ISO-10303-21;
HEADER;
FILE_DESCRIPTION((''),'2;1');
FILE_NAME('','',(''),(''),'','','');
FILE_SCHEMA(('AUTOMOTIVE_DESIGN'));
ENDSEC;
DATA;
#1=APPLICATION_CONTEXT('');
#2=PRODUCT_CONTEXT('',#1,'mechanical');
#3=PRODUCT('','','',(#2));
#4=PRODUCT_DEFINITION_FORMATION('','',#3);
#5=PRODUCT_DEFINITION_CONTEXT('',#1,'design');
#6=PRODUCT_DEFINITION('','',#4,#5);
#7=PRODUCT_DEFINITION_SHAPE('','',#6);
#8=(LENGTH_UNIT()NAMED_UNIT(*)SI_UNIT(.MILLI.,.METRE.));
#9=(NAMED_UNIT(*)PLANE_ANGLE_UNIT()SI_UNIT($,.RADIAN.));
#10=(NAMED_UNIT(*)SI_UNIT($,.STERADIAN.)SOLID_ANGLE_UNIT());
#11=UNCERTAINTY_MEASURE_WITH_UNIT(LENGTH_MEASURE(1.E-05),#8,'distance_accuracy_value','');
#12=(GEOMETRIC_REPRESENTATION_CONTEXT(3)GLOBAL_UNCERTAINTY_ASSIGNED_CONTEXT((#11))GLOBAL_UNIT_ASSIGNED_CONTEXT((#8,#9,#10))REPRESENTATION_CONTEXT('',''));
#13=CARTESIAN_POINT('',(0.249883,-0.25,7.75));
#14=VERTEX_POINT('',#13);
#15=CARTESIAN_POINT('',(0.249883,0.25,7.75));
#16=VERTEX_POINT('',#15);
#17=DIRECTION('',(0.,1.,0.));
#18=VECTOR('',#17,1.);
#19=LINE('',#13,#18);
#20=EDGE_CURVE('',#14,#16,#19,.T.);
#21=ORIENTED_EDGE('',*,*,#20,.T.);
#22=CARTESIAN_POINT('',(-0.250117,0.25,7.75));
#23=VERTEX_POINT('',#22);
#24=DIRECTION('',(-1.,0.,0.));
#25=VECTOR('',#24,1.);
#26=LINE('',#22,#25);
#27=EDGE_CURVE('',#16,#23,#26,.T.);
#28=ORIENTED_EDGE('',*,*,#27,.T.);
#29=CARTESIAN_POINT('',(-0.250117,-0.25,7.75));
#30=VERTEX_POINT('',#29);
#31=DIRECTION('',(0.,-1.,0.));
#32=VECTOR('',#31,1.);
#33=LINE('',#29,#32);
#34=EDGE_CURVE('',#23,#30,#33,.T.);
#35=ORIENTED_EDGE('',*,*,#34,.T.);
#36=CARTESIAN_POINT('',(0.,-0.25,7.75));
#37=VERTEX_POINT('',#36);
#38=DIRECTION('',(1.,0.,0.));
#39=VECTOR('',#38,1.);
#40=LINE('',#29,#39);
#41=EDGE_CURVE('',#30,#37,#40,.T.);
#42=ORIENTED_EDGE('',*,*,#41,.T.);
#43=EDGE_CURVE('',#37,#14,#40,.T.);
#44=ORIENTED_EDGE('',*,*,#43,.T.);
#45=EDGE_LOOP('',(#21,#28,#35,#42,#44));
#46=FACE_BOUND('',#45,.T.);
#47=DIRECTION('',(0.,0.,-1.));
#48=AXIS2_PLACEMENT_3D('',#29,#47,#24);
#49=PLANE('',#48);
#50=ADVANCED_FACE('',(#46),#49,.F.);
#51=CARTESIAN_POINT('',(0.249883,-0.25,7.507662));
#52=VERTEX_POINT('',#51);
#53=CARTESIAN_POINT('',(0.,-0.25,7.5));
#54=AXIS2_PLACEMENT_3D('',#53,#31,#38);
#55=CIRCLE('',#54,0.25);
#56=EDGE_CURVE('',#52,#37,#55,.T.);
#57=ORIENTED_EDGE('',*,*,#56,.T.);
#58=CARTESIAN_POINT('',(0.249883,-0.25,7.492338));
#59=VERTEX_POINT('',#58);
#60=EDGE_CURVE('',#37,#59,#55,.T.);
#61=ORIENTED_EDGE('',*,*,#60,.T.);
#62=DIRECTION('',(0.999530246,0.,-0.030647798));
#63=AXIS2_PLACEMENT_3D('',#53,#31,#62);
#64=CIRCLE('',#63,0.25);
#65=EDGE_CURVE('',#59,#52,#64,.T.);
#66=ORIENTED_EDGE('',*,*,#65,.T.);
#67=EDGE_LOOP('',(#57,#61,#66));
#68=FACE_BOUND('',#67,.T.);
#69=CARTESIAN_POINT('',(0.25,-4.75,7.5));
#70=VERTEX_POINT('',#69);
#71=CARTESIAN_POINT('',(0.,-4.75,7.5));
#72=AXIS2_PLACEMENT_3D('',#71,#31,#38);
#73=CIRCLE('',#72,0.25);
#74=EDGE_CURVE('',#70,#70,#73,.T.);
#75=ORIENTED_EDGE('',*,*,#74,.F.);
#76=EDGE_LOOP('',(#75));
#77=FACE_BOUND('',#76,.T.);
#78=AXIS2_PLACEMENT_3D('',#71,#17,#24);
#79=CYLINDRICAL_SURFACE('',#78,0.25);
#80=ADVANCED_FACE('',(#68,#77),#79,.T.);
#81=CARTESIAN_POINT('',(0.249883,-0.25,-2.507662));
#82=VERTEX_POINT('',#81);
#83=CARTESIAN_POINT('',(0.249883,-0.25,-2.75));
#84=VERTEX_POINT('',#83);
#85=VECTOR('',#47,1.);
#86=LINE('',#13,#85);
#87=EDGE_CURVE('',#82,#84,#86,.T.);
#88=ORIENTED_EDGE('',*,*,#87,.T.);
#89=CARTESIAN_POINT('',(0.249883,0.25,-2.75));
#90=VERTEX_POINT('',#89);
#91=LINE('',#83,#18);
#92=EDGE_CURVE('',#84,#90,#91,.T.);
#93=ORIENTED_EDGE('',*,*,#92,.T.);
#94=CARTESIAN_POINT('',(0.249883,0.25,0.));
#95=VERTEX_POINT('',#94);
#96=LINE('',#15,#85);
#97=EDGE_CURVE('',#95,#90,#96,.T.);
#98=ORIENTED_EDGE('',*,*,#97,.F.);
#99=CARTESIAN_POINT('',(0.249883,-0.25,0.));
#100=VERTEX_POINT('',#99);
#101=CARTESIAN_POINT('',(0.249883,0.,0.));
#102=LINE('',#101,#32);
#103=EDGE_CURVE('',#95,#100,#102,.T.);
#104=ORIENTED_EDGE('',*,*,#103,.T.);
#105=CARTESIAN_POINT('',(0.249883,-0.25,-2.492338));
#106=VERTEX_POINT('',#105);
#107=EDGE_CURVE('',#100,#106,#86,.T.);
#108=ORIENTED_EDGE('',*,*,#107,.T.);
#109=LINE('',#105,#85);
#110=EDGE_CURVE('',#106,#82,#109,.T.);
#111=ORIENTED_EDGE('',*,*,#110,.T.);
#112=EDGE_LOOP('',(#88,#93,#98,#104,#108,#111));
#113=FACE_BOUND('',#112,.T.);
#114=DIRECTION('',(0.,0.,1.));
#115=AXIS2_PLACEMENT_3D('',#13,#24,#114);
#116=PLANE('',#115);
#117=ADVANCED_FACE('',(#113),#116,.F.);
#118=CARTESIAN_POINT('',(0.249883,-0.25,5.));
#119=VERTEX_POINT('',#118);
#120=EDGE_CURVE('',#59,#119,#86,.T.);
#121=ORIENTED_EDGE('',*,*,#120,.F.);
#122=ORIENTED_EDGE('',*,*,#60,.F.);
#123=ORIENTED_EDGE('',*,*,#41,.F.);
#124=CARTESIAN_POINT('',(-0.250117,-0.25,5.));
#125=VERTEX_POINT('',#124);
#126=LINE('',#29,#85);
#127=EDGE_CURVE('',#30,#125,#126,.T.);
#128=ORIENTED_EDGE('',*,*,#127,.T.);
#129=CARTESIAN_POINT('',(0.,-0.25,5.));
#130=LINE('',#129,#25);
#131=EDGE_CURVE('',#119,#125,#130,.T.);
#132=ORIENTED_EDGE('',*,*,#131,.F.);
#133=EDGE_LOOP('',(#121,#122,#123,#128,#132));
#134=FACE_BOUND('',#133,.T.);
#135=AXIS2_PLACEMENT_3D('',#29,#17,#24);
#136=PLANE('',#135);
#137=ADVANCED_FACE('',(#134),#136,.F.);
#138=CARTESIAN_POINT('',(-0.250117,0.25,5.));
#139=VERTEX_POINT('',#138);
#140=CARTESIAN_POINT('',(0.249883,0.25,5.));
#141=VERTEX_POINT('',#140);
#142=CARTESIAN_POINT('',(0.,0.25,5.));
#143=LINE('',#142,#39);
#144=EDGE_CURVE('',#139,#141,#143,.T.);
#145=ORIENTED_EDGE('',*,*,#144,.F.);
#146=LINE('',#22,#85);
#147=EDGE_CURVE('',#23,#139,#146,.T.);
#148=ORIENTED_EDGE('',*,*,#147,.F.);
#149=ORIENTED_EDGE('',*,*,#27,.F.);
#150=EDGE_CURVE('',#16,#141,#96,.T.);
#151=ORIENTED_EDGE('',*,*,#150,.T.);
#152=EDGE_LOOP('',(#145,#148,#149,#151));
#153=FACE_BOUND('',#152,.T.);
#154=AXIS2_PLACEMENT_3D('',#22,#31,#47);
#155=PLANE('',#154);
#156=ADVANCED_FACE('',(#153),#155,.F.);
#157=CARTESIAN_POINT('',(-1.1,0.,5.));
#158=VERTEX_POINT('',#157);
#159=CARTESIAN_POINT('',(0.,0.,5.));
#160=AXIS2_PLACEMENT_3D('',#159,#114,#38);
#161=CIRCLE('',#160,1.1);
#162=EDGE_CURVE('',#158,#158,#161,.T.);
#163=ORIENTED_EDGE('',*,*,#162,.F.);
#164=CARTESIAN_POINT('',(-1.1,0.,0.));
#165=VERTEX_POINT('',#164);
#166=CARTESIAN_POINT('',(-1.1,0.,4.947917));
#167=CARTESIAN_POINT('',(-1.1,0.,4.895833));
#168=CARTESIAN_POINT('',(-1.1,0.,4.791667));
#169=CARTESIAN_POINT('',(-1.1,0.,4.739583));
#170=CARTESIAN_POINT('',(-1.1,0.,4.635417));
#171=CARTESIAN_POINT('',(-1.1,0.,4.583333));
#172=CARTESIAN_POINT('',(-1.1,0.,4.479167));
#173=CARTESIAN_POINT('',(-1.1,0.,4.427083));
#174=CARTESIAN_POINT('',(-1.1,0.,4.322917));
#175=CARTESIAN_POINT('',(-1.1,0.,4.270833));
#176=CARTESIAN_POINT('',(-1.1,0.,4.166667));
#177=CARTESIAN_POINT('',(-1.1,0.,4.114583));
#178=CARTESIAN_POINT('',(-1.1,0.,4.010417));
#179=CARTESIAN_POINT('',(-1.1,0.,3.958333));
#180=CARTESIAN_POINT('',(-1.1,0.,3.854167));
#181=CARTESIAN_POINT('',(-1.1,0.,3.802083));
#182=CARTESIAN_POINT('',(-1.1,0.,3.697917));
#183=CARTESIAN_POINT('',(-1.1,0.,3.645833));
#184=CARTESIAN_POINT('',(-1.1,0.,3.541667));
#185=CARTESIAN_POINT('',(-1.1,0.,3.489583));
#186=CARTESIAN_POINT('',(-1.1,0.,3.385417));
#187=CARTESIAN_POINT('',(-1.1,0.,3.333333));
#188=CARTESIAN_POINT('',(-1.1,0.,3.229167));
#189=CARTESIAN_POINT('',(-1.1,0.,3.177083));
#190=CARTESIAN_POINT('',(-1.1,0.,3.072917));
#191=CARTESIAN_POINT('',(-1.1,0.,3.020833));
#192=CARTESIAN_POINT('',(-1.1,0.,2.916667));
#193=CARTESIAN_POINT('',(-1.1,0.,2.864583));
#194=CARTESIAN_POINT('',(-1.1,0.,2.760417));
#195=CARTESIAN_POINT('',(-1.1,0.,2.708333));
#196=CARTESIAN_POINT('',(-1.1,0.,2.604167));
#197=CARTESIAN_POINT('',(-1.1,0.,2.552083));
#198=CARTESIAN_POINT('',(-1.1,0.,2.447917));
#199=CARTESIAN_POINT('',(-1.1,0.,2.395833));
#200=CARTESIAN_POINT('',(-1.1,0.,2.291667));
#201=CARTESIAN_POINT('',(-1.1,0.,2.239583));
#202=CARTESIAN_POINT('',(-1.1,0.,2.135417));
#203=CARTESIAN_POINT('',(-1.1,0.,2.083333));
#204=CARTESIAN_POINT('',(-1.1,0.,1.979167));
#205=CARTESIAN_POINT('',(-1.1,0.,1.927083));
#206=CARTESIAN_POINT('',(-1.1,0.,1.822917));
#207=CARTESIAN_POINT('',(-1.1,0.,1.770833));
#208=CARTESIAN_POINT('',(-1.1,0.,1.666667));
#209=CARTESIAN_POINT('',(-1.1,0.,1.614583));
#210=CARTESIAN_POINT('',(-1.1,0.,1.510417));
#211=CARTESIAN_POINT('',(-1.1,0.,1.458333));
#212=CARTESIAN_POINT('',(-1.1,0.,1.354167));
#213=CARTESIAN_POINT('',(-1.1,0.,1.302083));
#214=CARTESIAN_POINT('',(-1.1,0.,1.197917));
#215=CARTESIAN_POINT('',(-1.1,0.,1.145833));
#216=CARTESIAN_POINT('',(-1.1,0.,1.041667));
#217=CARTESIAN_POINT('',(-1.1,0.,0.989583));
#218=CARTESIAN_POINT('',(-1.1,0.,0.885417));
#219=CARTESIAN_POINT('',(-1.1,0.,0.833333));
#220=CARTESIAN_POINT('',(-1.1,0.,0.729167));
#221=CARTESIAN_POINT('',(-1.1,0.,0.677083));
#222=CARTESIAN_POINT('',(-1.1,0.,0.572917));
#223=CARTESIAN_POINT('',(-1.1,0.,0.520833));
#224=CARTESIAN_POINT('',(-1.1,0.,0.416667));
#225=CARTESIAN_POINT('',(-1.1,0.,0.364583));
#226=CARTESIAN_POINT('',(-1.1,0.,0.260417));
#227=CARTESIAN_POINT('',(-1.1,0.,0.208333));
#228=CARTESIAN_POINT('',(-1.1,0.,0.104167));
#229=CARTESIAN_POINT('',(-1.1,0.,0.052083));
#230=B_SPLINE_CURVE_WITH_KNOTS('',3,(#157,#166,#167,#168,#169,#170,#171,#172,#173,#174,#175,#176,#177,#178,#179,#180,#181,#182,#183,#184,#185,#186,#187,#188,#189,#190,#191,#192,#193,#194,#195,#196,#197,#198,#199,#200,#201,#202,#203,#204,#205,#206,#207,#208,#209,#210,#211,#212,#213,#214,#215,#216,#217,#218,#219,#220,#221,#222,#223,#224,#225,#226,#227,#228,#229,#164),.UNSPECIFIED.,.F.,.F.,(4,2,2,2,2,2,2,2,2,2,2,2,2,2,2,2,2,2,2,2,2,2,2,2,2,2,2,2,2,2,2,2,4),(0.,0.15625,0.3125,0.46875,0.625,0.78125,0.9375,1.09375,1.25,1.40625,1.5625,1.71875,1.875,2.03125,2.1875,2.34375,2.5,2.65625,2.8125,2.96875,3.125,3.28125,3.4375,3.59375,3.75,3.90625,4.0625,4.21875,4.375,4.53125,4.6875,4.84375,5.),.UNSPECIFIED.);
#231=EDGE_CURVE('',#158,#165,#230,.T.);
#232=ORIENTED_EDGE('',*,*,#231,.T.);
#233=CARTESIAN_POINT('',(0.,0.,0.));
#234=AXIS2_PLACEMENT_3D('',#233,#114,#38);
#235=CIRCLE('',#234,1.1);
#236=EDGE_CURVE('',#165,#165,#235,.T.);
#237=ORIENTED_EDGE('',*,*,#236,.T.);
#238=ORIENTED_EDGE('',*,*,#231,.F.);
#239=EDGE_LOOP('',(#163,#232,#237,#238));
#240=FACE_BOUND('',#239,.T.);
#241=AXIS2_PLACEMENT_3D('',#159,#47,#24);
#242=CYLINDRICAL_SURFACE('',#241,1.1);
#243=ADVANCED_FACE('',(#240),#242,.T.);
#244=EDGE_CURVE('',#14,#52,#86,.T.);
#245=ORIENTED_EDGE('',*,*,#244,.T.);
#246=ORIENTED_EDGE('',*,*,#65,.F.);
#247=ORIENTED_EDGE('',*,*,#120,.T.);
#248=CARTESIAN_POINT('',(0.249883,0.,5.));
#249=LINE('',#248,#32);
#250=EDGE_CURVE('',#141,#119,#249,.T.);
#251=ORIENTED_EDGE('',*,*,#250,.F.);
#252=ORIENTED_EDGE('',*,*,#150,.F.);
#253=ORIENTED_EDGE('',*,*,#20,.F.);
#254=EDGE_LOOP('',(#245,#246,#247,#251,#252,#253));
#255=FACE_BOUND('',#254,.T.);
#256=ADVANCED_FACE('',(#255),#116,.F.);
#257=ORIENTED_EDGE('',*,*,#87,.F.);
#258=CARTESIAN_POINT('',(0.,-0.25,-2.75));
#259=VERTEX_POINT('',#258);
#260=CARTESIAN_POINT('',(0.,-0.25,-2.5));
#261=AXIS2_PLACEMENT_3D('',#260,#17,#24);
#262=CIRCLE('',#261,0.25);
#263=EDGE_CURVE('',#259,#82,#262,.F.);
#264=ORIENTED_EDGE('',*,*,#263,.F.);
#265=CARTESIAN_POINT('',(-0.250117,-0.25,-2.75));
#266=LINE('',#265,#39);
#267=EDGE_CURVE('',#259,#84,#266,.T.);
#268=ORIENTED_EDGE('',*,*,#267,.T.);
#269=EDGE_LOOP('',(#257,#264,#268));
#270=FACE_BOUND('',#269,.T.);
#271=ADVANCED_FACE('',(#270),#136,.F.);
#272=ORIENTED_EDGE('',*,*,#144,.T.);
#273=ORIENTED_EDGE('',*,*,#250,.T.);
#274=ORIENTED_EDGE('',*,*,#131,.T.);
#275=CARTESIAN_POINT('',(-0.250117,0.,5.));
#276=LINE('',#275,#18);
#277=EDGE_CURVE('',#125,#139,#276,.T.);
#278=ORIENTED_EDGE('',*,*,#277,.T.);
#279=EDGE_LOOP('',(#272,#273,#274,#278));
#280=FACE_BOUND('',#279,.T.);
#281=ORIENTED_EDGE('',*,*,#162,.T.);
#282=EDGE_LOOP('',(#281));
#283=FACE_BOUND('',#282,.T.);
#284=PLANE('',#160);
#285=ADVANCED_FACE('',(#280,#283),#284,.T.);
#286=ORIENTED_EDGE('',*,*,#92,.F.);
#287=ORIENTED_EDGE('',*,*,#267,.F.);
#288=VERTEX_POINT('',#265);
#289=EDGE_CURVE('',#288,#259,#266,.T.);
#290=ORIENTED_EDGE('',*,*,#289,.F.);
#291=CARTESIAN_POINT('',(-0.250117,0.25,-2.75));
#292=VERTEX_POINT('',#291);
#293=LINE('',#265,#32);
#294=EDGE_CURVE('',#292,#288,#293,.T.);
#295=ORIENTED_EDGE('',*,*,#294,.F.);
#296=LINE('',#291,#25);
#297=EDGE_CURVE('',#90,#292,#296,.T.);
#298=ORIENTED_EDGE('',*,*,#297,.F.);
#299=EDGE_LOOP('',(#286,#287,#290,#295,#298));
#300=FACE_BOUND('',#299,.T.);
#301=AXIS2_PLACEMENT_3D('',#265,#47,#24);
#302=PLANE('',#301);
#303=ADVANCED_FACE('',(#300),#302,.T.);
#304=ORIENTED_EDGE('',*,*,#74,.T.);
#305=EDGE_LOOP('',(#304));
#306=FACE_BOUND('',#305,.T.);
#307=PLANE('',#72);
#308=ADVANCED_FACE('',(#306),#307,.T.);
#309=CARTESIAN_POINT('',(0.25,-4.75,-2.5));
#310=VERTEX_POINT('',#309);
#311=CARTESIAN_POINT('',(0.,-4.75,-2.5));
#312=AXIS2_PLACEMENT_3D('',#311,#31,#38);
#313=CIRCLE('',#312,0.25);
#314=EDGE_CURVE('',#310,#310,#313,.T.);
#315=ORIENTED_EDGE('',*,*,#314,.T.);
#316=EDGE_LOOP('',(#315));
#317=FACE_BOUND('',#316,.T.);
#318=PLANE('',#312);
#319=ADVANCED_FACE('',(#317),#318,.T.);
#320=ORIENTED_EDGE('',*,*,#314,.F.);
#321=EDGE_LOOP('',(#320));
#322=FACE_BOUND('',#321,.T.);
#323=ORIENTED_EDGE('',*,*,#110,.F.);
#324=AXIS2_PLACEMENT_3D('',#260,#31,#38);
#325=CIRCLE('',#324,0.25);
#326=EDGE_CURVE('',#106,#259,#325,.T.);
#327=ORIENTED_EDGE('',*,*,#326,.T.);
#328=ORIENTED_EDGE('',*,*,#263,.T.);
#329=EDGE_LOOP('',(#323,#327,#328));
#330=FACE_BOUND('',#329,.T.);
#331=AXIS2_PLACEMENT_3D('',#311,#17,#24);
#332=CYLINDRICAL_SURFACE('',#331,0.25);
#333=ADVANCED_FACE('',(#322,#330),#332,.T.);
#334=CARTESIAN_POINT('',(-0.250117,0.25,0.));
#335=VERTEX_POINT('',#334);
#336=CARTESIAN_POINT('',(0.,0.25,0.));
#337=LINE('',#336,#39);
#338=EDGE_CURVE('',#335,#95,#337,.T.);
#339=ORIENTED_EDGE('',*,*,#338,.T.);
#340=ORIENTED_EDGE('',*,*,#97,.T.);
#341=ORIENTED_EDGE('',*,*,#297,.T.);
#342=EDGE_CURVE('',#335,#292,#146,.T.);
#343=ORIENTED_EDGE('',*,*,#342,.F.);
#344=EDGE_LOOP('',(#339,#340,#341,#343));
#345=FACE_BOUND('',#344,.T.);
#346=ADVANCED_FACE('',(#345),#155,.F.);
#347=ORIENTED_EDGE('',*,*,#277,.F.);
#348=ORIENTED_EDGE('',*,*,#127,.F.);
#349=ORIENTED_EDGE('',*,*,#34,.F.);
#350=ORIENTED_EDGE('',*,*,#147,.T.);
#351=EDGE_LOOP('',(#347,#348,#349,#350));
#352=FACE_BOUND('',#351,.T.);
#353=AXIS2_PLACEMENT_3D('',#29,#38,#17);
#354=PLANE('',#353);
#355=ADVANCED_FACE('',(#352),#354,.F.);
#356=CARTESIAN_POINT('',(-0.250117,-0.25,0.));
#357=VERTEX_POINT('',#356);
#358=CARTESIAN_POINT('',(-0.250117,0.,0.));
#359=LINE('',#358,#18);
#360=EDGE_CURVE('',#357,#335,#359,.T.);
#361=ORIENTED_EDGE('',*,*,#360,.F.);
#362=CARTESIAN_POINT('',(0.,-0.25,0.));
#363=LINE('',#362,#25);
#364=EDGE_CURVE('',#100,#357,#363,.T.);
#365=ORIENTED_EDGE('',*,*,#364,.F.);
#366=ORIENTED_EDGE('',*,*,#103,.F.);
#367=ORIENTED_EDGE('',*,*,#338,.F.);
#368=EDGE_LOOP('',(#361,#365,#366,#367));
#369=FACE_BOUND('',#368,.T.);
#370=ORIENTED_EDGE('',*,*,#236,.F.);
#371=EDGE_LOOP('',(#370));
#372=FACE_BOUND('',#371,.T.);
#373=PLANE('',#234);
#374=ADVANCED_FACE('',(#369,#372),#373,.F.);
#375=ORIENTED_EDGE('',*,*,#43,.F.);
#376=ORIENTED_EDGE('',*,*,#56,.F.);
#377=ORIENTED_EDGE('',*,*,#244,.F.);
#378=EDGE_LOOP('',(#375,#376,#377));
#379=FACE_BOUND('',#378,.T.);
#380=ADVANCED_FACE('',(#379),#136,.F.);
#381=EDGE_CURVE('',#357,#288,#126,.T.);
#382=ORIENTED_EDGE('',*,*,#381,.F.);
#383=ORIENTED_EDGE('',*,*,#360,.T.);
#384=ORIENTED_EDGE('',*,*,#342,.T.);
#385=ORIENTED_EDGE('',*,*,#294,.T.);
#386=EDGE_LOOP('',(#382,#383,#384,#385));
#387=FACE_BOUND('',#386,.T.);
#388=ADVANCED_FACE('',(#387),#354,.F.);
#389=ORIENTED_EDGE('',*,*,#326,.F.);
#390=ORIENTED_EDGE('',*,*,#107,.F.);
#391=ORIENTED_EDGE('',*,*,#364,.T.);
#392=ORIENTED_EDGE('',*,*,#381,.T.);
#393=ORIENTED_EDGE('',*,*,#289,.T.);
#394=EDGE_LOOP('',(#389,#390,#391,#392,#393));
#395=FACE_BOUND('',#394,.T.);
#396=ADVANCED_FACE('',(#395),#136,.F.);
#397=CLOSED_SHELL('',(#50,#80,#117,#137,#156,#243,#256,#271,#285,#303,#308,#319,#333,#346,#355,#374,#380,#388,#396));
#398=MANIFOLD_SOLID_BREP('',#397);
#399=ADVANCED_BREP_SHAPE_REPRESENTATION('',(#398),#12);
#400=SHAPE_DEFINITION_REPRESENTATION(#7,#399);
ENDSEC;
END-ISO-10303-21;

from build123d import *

# Parameters (mm, degrees)
SKETCH_1_R           = 1.1
EXTRUDE_1_DEPTH      = 5
EXTRUDE_2_DEPTH      = 2.75
EXTRUDE_2_DEPTH_BACK = 7.75
SKETCH_2_W           = 0.5
SKETCH_2_H           = 0.5
SKETCH_3_R           = 0.25
EXTRUDE_3_DEPTH      = 4.5


with BuildPart() as part:
    # Эскиз1 → Вытянуть1 (new body)
    with BuildSketch(Plane.XY):
        Circle(SKETCH_1_R)
    extrude(amount=EXTRUDE_1_DEPTH)

    # Эскиз2 → Вытянуть2 (add, two sides: drawn at the far end of the back side and taken through both)
    with BuildSketch(Plane.XY.offset(5).offset(-EXTRUDE_2_DEPTH_BACK)):
        with Locations((-0.000117439, 0)):
            Rectangle(SKETCH_2_W, SKETCH_2_H)
    extrude(amount=EXTRUDE_2_DEPTH + EXTRUDE_2_DEPTH_BACK)

    # Эскиз3 → Вытянуть3 (add)
    with BuildSketch(Plane.XZ.offset(0.25)):
        with Locations((0, 7.5)):
            Circle(SKETCH_3_R)
        with Locations((0, -2.5)):
            Circle(SKETCH_3_R)
    extrude(amount=EXTRUDE_3_DEPTH)


solid = part.part
